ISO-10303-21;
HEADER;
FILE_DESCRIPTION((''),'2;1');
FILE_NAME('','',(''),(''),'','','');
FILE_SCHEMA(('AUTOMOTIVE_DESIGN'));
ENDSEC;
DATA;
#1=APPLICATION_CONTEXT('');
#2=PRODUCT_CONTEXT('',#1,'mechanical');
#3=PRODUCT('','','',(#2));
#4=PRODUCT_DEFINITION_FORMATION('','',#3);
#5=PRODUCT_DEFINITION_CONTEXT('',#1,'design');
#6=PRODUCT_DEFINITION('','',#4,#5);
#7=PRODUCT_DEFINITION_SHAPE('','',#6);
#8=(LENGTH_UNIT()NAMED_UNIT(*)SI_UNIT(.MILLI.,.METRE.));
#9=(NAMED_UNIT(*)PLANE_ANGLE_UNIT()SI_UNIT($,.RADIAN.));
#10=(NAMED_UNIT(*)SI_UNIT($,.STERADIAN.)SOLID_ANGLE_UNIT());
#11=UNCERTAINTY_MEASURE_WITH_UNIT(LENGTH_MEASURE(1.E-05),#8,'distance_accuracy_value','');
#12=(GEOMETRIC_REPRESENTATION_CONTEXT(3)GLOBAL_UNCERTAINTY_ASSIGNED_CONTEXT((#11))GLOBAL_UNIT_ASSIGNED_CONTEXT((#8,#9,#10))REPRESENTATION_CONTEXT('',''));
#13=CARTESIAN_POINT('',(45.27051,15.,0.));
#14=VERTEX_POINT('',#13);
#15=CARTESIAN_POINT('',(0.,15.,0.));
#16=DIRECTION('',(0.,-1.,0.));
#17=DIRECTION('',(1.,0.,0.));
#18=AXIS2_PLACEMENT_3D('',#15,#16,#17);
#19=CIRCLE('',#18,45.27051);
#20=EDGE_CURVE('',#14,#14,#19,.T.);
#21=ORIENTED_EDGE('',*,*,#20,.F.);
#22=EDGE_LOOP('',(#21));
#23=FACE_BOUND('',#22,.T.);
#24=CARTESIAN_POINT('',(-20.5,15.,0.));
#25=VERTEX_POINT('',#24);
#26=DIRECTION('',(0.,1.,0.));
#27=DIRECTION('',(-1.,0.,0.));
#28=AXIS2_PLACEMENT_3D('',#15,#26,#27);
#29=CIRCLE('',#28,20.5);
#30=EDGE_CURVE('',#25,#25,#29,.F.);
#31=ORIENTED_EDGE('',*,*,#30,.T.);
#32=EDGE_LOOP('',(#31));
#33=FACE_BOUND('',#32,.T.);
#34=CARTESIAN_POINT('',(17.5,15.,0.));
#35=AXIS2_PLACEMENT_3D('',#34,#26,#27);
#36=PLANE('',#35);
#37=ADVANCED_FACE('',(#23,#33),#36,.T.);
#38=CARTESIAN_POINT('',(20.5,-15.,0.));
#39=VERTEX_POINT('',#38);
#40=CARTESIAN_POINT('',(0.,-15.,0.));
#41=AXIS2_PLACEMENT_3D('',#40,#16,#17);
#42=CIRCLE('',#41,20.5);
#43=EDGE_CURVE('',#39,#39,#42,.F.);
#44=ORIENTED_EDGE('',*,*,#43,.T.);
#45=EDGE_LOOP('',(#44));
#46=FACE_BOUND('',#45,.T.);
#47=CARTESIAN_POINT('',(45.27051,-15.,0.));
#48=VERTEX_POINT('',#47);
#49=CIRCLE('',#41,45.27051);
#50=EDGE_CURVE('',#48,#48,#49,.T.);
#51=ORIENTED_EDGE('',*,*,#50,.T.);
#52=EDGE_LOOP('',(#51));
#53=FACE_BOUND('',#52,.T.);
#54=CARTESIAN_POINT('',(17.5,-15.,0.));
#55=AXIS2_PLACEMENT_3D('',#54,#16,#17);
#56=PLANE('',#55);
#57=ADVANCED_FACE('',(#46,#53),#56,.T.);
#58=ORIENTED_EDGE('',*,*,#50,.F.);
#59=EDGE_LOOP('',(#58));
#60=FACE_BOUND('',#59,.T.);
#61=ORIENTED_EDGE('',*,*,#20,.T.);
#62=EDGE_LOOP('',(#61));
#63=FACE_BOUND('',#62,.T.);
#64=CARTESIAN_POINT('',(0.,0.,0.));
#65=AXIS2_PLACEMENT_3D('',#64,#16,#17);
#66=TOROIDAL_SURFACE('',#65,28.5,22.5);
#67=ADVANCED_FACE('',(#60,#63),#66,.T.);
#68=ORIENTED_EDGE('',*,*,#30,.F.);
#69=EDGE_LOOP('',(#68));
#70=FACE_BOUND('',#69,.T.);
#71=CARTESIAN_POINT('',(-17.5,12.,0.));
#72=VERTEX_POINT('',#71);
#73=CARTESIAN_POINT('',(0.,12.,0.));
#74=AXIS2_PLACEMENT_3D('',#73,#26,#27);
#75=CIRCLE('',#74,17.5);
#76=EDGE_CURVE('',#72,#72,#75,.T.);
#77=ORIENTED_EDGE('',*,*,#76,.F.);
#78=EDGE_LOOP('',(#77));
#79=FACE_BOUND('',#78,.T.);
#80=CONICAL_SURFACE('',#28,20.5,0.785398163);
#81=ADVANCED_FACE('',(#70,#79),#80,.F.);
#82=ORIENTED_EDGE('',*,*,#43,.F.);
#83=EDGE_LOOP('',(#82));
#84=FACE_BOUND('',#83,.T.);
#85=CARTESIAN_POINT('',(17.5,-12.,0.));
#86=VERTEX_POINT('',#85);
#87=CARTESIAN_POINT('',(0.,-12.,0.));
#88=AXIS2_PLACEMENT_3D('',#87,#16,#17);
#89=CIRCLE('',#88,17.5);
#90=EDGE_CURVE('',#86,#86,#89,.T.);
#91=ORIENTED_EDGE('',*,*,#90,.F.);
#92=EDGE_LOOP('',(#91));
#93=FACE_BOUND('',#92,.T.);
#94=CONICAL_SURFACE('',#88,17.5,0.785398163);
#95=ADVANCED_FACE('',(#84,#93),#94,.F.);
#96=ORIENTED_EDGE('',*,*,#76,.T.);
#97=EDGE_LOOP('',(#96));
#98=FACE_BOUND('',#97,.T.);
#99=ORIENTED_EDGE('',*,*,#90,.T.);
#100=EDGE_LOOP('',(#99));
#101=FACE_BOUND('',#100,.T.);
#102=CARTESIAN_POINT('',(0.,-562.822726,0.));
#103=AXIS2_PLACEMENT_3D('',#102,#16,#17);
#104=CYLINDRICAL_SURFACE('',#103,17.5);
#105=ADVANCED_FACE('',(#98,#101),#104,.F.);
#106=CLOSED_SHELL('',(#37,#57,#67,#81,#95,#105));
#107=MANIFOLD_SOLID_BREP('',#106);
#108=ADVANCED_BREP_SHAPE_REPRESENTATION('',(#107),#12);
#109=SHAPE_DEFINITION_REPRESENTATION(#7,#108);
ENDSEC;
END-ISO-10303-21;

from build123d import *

# Parameters (mm, degrees)
CHAMFER1_SIZE = 3


with BuildPart() as part:
    # Sketch1 → Revolve1 (revolve)
    with BuildSketch(Plane.XY):
        with BuildLine():
            Line((17.5, 15), (17.5, -15))
            Line((17.5, -15), (45.270509831, -15))
            ThreePointArc((45.270509831, -15), (51, 0), (45.270509831, 15))
            Line((45.270509831, 15), (17.5, 15))
        make_face()
    revolve(axis=Axis((0, -562.822725834, 0), (0, 1, 0)))

    # Chamfer1
    chamfer1_edges = [part.edges().sort_by_distance(p)[0] for p in [
        (-17.5, 15, 0),
        (-17.5, -15, 0),
    ]]
    chamfer(chamfer1_edges, length=CHAMFER1_SIZE)


solid = part.part
